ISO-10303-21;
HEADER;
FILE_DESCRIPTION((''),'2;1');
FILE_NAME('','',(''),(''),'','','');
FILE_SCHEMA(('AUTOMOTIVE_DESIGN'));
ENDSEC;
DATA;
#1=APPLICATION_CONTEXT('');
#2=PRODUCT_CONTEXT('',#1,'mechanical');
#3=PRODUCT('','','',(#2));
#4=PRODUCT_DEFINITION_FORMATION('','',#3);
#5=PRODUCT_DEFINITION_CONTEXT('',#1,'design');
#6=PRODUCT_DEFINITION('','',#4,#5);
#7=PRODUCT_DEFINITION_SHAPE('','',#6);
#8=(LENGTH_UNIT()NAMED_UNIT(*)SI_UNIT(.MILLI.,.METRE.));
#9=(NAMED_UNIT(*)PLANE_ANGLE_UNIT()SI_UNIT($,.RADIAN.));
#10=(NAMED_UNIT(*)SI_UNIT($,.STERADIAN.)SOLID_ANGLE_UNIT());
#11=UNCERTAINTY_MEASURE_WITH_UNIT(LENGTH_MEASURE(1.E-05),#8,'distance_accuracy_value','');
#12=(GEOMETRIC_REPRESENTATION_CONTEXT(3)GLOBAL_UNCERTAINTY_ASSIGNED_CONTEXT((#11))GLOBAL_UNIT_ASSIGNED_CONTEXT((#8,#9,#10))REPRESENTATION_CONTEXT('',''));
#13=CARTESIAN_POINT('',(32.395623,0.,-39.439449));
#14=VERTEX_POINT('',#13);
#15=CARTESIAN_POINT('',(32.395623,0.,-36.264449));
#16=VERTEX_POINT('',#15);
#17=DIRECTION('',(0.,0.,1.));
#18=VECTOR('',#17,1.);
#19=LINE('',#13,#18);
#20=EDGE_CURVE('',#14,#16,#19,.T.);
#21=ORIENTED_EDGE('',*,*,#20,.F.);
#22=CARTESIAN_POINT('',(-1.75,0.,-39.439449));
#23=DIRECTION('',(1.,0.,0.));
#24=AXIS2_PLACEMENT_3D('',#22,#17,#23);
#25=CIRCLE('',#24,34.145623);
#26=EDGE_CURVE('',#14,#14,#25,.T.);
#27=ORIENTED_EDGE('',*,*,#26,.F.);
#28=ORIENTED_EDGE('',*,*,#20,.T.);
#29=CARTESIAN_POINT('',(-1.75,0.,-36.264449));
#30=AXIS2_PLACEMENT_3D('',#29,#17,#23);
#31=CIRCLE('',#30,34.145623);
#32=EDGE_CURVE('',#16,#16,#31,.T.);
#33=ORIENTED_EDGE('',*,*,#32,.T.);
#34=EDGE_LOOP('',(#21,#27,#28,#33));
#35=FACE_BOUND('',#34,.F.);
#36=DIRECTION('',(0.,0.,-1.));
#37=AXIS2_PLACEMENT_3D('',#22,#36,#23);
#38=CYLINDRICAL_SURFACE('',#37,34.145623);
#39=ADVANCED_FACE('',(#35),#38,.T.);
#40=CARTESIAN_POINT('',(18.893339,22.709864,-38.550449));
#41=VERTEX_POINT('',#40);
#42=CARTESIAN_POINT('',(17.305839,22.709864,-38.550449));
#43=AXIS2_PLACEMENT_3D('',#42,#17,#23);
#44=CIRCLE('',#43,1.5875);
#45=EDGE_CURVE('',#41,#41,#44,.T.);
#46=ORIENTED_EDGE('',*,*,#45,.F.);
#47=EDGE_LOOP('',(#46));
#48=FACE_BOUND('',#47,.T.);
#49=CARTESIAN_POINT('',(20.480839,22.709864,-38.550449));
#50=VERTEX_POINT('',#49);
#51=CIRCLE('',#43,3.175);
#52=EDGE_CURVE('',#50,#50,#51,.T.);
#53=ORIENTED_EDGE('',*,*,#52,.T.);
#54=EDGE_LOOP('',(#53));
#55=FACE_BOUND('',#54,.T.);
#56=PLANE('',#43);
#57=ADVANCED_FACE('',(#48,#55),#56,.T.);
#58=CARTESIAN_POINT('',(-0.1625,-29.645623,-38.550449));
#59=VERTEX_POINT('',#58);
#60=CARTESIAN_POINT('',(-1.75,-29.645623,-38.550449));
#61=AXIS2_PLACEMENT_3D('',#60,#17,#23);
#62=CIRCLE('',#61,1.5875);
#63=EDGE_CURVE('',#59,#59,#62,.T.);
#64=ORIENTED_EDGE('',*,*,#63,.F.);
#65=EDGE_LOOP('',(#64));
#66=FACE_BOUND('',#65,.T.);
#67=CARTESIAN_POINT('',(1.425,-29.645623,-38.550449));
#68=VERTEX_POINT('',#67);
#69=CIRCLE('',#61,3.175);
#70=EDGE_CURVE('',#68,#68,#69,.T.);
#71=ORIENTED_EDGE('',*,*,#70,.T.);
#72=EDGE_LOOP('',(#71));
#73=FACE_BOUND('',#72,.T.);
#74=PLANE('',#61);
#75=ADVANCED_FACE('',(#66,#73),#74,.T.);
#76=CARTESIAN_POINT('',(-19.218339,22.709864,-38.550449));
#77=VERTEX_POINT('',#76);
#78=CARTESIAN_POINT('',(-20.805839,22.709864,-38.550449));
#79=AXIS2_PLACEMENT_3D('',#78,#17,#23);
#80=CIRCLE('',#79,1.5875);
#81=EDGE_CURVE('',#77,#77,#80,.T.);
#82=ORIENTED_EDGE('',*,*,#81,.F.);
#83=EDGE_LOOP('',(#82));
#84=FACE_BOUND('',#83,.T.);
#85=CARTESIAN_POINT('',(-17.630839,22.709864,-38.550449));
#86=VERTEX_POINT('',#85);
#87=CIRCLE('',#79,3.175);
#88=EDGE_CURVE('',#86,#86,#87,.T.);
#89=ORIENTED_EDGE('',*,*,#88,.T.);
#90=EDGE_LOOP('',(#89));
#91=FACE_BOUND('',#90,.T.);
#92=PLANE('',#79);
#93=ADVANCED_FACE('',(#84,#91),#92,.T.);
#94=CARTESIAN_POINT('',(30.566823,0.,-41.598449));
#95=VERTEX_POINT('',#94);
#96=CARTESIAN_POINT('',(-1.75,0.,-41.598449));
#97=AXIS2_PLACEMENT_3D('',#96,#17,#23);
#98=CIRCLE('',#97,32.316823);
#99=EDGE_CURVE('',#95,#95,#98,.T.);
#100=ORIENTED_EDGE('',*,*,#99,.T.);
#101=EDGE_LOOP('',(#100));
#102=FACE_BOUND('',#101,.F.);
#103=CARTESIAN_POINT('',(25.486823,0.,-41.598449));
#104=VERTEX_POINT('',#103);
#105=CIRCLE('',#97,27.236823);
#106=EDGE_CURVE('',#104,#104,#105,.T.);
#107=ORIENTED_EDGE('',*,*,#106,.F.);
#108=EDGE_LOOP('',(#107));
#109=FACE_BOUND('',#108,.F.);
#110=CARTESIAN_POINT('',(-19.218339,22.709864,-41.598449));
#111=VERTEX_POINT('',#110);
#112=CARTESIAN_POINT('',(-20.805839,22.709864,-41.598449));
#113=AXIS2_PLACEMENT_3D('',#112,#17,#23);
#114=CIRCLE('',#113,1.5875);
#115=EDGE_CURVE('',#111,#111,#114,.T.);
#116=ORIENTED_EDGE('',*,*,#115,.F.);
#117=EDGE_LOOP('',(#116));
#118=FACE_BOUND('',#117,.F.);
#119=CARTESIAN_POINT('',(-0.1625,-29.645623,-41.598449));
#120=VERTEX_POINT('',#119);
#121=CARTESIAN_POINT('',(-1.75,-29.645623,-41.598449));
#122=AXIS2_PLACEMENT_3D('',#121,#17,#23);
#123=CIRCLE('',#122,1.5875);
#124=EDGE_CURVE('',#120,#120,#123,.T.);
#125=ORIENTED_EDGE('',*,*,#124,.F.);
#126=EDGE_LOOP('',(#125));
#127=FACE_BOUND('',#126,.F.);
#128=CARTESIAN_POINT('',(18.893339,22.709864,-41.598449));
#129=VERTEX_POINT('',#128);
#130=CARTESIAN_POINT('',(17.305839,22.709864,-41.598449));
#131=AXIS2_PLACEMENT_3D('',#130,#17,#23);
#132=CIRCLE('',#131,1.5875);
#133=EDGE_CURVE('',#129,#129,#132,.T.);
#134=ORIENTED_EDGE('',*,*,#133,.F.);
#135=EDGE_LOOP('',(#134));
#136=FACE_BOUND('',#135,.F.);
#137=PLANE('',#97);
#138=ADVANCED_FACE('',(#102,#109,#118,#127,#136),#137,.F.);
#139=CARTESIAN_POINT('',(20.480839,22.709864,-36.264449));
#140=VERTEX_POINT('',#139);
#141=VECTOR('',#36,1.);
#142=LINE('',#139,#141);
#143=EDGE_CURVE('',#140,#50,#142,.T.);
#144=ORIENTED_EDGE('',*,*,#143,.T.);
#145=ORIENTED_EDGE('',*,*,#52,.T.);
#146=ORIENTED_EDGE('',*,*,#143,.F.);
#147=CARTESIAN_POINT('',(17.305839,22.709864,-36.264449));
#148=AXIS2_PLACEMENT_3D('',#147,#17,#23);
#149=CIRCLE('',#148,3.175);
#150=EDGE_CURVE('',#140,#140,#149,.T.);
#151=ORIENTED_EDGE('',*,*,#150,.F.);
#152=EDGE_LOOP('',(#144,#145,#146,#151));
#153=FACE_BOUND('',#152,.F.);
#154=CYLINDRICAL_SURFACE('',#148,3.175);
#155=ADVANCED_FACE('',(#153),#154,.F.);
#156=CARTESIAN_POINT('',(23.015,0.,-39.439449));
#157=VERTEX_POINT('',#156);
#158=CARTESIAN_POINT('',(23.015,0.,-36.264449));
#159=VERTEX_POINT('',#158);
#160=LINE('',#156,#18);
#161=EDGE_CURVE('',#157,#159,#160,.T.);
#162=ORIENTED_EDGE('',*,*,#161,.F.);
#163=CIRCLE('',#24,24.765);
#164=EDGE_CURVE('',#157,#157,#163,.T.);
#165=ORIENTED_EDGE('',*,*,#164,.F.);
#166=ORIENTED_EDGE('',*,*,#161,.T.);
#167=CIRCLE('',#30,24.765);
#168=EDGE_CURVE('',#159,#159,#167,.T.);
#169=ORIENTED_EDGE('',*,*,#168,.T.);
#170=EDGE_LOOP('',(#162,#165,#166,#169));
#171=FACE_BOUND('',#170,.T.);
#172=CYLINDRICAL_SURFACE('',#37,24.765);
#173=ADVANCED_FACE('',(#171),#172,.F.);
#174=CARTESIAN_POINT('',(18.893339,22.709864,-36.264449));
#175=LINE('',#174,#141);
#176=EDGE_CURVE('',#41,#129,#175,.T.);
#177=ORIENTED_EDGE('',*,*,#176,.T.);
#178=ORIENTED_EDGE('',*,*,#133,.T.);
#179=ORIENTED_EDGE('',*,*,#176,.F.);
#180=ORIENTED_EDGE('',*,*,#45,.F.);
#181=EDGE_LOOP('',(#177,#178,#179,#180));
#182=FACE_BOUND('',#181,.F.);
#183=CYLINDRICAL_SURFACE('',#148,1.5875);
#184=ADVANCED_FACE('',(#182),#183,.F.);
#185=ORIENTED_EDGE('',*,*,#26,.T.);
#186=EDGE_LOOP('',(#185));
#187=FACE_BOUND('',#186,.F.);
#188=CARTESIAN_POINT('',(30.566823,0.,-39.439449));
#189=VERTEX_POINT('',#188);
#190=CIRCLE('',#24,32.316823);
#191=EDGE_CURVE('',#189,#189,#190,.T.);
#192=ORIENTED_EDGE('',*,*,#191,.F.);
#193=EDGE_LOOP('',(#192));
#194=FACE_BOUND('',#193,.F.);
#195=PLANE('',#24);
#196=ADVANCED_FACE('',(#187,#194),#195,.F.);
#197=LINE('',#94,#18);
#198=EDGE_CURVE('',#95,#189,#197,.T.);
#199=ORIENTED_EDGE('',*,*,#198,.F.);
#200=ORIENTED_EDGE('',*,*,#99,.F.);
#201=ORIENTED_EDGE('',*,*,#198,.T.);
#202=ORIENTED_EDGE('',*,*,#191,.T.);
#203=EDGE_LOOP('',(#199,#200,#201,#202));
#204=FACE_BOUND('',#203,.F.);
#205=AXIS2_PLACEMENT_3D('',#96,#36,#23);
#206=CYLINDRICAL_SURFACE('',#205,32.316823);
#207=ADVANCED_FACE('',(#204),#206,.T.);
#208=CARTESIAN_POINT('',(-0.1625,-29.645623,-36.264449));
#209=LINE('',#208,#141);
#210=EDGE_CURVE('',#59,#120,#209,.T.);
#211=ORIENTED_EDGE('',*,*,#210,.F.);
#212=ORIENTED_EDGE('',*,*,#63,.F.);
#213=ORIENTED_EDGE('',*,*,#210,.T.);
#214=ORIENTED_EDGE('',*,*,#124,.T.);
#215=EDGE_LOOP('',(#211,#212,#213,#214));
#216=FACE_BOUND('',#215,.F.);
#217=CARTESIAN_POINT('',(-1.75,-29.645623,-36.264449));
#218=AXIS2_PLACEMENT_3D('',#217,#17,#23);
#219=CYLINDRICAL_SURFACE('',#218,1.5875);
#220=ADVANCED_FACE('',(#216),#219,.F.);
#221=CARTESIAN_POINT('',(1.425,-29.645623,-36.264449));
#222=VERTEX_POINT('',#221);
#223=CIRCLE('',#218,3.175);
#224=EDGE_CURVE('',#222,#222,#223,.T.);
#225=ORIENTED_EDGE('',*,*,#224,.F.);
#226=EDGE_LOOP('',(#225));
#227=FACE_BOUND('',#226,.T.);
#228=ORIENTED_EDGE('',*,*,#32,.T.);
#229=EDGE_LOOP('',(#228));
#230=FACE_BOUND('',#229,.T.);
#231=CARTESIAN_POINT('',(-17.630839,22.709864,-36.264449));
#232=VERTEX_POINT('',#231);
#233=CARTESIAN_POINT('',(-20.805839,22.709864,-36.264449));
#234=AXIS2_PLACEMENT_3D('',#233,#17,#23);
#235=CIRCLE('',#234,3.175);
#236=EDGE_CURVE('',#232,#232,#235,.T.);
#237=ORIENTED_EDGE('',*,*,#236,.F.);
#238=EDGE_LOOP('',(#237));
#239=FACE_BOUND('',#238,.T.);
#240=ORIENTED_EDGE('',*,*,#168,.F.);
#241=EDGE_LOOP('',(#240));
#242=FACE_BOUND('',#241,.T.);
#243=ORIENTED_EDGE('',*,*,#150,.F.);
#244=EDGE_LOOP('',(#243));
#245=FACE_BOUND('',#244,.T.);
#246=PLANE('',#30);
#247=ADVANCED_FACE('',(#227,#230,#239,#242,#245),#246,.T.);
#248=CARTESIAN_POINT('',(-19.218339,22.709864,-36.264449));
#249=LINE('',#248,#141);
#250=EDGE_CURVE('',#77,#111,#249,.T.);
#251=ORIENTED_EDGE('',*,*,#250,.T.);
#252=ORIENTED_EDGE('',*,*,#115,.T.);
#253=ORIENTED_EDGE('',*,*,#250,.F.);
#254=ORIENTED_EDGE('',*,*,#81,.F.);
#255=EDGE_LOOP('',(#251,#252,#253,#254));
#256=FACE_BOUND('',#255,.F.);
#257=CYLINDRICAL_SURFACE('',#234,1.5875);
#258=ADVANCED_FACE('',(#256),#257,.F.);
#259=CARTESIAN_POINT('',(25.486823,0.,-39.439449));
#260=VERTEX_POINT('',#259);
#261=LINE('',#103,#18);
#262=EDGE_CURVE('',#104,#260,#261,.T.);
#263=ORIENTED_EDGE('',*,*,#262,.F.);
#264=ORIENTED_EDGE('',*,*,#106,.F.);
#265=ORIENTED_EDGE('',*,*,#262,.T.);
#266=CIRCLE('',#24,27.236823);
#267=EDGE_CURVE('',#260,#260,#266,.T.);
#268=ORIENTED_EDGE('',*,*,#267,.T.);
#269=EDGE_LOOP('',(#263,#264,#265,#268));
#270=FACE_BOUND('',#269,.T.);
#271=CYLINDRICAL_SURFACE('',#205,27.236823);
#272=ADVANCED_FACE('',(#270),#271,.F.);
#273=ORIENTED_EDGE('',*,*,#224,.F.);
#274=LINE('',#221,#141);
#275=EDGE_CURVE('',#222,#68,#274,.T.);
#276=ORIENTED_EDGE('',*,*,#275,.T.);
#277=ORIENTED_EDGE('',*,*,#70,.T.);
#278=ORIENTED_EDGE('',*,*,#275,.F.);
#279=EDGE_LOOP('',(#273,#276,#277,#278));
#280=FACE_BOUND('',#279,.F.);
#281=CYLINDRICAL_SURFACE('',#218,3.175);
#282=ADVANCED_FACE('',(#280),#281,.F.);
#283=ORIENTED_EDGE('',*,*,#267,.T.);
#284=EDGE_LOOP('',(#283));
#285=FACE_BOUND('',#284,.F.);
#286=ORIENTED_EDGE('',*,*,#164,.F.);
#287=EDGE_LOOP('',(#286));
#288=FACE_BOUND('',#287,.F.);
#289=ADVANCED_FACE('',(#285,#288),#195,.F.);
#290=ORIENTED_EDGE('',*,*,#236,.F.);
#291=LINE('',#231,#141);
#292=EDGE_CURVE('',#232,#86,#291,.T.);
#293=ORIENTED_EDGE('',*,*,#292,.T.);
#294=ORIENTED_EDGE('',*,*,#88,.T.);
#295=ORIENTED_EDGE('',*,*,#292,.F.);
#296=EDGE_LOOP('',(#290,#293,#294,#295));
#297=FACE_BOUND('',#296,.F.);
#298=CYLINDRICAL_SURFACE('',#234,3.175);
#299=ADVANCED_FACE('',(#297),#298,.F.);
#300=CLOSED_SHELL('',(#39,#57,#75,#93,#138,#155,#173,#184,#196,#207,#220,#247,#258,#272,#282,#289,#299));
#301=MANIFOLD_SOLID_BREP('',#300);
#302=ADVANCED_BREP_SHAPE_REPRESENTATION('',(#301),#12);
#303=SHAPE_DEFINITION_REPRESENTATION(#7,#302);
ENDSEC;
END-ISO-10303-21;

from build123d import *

# Parameters (mm, degrees)
SKETCH018_R     = 32.316823
SKETCH018_R_2   = 27.236823
PAD008_DEPTH    = 2.159
SKETCH019_R     = 34.145623
SKETCH019_R_2   = 24.765
PAD009_DEPTH    = 3.175
SKETCH020_R     = 1.5875
POCKET006_DEPTH = 5.335
SKETCH021_R     = 3.175
POCKET007_DEPTH = 2.286


with BuildPart() as part:
    # Sketch018 (on Face1 of Binder011) → Pad008 (new body)
    with BuildSketch(Plane.XY.offset(-41.598449)):
        with Locations((-1.75, 0)):
            Circle(SKETCH018_R)
        with Locations((-1.75, 0)):
            Circle(SKETCH018_R_2, mode=Mode.SUBTRACT)
    extrude(amount=PAD008_DEPTH)

    # Sketch019 (on Face3 of Pad008) → Pad009 (join)
    with BuildSketch(Plane.XY.offset(-39.439449)):
        with Locations((-1.75, 0)):
            Circle(SKETCH019_R)
        with Locations((-1.75, 0)):
            Circle(SKETCH019_R_2, mode=Mode.SUBTRACT)
    extrude(amount=PAD009_DEPTH)

    # Sketch020 (on Face6 of Pad009) → Pocket006 (cut, through all)
    with BuildSketch(Plane.XY.offset(-36.264449)):
        with Locations((-1.75, -29.645623)):
            Circle(SKETCH020_R)
        with Locations((17.305839, 22.709864)):
            Circle(SKETCH020_R)
        with Locations((-20.805839, 22.709864)):
            Circle(SKETCH020_R)
    extrude(amount=-POCKET006_DEPTH, mode=Mode.SUBTRACT)

    # Sketch021 (on Face9 of Pocket006) → Pocket007 (cut)
    with BuildSketch(Plane.XY.offset(-36.264449)):
        with Locations((-20.805839, 22.709864)):
            Circle(SKETCH021_R)
        with Locations((17.305839, 22.709864)):
            Circle(SKETCH021_R)
        with Locations((-1.75, -29.645623)):
            Circle(SKETCH021_R)
    extrude(amount=-POCKET007_DEPTH, mode=Mode.SUBTRACT)


solid = part.part
